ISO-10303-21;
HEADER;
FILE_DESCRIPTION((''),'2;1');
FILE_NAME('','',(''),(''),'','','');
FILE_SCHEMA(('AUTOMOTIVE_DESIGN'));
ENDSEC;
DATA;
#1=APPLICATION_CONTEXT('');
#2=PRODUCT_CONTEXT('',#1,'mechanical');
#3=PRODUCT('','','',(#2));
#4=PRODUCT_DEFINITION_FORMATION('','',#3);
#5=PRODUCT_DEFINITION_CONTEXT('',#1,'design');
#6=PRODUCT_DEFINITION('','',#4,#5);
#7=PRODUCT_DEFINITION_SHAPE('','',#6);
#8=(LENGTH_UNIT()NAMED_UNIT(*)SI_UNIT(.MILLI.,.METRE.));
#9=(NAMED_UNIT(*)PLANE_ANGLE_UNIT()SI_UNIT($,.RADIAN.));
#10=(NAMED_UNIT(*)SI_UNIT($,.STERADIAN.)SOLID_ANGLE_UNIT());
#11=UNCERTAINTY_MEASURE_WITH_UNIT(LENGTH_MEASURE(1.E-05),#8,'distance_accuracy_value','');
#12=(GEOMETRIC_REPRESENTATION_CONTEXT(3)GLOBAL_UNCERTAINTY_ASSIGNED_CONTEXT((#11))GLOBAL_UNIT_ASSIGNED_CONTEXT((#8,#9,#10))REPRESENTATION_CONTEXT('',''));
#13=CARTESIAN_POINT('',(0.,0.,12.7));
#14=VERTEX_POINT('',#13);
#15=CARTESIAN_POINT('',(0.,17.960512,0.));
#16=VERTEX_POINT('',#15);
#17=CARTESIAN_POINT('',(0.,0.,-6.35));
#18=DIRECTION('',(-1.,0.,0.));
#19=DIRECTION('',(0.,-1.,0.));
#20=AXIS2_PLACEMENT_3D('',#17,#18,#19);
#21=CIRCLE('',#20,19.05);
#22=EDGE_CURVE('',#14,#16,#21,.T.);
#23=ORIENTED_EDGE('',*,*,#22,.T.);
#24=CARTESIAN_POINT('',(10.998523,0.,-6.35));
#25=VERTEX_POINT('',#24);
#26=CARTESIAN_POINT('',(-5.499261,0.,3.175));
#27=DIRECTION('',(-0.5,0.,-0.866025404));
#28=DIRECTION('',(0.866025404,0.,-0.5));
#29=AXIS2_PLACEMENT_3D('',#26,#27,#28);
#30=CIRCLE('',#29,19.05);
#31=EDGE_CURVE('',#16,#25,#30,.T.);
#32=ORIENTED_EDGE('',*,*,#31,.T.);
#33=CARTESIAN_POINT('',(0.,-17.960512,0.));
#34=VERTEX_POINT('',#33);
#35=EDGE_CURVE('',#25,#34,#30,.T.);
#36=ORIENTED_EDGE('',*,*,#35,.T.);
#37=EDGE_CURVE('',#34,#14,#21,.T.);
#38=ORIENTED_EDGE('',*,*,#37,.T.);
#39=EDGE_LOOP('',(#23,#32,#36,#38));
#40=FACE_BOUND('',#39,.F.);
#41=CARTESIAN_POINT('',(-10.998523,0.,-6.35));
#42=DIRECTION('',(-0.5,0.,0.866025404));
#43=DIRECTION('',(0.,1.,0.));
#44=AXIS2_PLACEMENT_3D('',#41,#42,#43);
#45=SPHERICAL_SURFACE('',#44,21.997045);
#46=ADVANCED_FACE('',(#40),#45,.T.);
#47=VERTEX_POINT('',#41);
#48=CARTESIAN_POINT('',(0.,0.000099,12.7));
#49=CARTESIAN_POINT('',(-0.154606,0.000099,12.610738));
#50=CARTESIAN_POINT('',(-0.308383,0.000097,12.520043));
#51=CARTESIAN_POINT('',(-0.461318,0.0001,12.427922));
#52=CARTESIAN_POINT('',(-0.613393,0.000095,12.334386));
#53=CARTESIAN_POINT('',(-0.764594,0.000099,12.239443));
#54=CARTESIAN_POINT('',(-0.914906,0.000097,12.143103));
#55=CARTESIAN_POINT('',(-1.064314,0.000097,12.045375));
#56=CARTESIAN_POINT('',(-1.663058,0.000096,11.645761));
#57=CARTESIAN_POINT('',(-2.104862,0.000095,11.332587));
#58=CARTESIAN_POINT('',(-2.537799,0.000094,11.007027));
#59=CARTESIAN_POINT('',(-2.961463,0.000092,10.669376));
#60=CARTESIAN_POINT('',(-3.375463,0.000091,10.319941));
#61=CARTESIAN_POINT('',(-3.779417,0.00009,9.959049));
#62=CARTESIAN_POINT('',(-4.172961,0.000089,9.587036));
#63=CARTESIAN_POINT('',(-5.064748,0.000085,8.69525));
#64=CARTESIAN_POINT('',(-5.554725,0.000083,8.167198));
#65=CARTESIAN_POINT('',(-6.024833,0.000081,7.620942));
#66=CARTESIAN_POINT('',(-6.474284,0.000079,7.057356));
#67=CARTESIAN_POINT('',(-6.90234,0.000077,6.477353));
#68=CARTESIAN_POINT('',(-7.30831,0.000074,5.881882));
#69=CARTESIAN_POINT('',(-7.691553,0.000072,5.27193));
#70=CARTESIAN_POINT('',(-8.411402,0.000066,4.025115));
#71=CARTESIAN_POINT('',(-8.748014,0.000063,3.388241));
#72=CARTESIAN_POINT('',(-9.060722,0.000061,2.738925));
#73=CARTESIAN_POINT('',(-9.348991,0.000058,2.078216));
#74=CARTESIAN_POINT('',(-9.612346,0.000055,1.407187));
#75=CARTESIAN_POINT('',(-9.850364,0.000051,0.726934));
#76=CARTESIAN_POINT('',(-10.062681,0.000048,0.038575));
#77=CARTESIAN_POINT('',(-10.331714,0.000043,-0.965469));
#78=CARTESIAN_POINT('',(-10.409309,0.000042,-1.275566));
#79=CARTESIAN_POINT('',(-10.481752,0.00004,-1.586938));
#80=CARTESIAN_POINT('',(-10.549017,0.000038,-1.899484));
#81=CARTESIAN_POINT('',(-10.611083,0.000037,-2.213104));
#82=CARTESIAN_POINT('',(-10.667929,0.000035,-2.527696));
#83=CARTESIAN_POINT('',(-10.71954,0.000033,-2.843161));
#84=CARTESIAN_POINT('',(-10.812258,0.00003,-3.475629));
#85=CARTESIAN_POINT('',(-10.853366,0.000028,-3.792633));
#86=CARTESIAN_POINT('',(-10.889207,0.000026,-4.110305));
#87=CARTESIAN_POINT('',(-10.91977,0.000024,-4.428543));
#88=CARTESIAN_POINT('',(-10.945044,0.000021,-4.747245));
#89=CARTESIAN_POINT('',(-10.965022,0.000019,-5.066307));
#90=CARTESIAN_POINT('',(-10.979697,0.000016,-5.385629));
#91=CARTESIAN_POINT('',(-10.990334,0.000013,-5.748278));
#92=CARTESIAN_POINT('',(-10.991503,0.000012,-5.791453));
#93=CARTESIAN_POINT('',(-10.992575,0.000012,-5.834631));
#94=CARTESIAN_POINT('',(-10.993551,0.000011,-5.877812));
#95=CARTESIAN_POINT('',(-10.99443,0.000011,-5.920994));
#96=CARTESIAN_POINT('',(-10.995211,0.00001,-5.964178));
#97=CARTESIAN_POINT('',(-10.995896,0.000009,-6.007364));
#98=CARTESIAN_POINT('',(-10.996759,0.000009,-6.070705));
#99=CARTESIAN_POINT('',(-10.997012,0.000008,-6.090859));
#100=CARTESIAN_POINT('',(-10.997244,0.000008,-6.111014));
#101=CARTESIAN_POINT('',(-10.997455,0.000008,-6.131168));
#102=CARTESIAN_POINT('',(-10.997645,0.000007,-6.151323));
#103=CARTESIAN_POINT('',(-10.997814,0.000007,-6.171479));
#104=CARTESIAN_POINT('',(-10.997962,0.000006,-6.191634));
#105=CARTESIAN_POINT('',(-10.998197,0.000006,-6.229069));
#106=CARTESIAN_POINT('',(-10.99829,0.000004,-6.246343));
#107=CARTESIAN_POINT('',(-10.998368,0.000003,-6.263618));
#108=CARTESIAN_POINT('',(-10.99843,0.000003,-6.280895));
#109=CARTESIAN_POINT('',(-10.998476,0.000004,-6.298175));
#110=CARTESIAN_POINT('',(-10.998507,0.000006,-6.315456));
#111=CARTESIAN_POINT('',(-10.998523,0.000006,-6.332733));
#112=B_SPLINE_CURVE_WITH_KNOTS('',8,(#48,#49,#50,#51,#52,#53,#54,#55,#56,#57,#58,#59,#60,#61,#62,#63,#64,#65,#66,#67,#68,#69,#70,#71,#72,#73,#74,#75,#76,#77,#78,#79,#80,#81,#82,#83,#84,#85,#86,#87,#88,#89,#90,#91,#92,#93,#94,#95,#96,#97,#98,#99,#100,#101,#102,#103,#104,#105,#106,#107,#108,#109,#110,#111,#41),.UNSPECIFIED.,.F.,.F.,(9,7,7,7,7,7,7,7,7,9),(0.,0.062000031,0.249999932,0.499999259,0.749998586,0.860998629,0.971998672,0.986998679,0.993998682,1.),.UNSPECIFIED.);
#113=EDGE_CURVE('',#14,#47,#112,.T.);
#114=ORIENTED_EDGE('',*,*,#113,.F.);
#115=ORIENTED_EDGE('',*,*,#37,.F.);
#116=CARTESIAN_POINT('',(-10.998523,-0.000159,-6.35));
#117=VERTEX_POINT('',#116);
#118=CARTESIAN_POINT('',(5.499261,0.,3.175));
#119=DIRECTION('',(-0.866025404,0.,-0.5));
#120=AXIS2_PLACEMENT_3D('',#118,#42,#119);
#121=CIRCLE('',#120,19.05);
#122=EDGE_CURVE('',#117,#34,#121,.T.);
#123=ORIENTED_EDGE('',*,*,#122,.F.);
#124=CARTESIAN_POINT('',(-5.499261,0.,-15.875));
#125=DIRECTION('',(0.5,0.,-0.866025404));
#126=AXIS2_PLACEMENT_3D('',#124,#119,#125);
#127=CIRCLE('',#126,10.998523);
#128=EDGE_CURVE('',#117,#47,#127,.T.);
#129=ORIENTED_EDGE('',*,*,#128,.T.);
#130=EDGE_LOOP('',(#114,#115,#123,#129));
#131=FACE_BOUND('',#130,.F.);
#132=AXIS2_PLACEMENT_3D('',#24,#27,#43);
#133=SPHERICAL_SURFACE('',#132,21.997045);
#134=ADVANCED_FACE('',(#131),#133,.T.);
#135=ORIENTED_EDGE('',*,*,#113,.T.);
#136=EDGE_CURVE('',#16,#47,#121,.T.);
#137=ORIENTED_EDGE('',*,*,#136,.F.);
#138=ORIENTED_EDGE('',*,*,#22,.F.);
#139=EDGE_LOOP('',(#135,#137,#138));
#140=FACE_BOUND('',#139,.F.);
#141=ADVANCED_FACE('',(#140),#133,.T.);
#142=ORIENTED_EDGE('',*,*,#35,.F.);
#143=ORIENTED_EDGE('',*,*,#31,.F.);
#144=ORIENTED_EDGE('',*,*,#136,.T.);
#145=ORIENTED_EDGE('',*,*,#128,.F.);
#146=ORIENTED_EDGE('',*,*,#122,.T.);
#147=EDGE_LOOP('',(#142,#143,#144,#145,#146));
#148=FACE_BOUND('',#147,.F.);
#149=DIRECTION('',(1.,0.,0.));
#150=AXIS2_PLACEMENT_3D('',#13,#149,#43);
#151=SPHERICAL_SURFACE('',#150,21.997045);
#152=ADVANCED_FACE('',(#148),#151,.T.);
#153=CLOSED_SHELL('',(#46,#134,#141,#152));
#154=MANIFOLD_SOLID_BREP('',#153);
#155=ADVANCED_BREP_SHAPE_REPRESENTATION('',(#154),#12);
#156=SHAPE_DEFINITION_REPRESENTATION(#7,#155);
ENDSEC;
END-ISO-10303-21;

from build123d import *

# Parameters (mm, degrees)
F1_ANGLE_BACK = 90
F1_ANGLE      = 180
F2_ANGLE_BACK = 90
F2_ANGLE      = 180
F3_ANGLE_BACK = 90
F3_ANGLE      = 180


with BuildPart() as f1:
    # F0 (on Front) → F1 (revolve)
    with BuildSketch(Plane.XZ, mode=Mode.PRIVATE) as f1_sk:
        with BuildLine():
            ThreePointArc((10.9985226281, -6.35), (8.0514773719, 4.6485226281), (0, 12.7))
            ThreePointArc((0, 12.7), (-8.0514773719, 4.6485226281), (-10.9985226281, -6.35))
            ThreePointArc((-10.9985226281, -6.35), (0, -9.2970452561), (10.9985226281, -6.35))
        make_face()
    revolve(f1_sk.sketch.rotate(Axis((12.3773198276, 0, -3.961853197), (0.5, 0, 0.8660254038)), -F1_ANGLE_BACK), axis=Axis((12.3773198276, 0, -3.961853197), (0.5, 0, 0.8660254038)), revolution_arc=F1_ANGLE)

    # F0 (on Front) → F2 (revolve, intersect)
    with BuildSketch(Plane.XZ, mode=Mode.PRIVATE) as f2_sk:
        with BuildLine():
            ThreePointArc((10.9985226281, -6.35), (8.0514773719, 4.6485226281), (0, 12.7))
            ThreePointArc((0, 12.7), (-8.0514773719, 4.6485226281), (-10.9985226281, -6.35))
            ThreePointArc((-10.9985226281, -6.35), (0, -9.2970452561), (10.9985226281, -6.35))
        make_face()
    revolve(f2_sk.sketch.rotate(Axis((-2.7575943991, 0, 12.7), (-1, 0, 0)), -F2_ANGLE_BACK), axis=Axis((-2.7575943991, 0, 12.7), (-1, 0, 0)), revolution_arc=F2_ANGLE, mode=Mode.INTERSECT)

    # F0 (on Front) → F3 (revolve, intersect)
    with BuildSketch(Plane.XZ, mode=Mode.PRIVATE) as f3_sk:
        with BuildLine():
            ThreePointArc((10.9985226281, -6.35), (8.0514773719, 4.6485226281), (0, 12.7))
            ThreePointArc((0, 12.7), (-8.0514773719, 4.6485226281), (-10.9985226281, -6.35))
            ThreePointArc((-10.9985226281, -6.35), (0, -9.2970452561), (10.9985226281, -6.35))
        make_face()
    revolve(f3_sk.sketch.rotate(Axis((-9.6197254285, 0, -8.738146803), (0.5, 0, -0.8660254038)), -F3_ANGLE_BACK), axis=Axis((-9.6197254285, 0, -8.738146803), (0.5, 0, -0.8660254038)), revolution_arc=F3_ANGLE, mode=Mode.INTERSECT)


solid = f1.part
